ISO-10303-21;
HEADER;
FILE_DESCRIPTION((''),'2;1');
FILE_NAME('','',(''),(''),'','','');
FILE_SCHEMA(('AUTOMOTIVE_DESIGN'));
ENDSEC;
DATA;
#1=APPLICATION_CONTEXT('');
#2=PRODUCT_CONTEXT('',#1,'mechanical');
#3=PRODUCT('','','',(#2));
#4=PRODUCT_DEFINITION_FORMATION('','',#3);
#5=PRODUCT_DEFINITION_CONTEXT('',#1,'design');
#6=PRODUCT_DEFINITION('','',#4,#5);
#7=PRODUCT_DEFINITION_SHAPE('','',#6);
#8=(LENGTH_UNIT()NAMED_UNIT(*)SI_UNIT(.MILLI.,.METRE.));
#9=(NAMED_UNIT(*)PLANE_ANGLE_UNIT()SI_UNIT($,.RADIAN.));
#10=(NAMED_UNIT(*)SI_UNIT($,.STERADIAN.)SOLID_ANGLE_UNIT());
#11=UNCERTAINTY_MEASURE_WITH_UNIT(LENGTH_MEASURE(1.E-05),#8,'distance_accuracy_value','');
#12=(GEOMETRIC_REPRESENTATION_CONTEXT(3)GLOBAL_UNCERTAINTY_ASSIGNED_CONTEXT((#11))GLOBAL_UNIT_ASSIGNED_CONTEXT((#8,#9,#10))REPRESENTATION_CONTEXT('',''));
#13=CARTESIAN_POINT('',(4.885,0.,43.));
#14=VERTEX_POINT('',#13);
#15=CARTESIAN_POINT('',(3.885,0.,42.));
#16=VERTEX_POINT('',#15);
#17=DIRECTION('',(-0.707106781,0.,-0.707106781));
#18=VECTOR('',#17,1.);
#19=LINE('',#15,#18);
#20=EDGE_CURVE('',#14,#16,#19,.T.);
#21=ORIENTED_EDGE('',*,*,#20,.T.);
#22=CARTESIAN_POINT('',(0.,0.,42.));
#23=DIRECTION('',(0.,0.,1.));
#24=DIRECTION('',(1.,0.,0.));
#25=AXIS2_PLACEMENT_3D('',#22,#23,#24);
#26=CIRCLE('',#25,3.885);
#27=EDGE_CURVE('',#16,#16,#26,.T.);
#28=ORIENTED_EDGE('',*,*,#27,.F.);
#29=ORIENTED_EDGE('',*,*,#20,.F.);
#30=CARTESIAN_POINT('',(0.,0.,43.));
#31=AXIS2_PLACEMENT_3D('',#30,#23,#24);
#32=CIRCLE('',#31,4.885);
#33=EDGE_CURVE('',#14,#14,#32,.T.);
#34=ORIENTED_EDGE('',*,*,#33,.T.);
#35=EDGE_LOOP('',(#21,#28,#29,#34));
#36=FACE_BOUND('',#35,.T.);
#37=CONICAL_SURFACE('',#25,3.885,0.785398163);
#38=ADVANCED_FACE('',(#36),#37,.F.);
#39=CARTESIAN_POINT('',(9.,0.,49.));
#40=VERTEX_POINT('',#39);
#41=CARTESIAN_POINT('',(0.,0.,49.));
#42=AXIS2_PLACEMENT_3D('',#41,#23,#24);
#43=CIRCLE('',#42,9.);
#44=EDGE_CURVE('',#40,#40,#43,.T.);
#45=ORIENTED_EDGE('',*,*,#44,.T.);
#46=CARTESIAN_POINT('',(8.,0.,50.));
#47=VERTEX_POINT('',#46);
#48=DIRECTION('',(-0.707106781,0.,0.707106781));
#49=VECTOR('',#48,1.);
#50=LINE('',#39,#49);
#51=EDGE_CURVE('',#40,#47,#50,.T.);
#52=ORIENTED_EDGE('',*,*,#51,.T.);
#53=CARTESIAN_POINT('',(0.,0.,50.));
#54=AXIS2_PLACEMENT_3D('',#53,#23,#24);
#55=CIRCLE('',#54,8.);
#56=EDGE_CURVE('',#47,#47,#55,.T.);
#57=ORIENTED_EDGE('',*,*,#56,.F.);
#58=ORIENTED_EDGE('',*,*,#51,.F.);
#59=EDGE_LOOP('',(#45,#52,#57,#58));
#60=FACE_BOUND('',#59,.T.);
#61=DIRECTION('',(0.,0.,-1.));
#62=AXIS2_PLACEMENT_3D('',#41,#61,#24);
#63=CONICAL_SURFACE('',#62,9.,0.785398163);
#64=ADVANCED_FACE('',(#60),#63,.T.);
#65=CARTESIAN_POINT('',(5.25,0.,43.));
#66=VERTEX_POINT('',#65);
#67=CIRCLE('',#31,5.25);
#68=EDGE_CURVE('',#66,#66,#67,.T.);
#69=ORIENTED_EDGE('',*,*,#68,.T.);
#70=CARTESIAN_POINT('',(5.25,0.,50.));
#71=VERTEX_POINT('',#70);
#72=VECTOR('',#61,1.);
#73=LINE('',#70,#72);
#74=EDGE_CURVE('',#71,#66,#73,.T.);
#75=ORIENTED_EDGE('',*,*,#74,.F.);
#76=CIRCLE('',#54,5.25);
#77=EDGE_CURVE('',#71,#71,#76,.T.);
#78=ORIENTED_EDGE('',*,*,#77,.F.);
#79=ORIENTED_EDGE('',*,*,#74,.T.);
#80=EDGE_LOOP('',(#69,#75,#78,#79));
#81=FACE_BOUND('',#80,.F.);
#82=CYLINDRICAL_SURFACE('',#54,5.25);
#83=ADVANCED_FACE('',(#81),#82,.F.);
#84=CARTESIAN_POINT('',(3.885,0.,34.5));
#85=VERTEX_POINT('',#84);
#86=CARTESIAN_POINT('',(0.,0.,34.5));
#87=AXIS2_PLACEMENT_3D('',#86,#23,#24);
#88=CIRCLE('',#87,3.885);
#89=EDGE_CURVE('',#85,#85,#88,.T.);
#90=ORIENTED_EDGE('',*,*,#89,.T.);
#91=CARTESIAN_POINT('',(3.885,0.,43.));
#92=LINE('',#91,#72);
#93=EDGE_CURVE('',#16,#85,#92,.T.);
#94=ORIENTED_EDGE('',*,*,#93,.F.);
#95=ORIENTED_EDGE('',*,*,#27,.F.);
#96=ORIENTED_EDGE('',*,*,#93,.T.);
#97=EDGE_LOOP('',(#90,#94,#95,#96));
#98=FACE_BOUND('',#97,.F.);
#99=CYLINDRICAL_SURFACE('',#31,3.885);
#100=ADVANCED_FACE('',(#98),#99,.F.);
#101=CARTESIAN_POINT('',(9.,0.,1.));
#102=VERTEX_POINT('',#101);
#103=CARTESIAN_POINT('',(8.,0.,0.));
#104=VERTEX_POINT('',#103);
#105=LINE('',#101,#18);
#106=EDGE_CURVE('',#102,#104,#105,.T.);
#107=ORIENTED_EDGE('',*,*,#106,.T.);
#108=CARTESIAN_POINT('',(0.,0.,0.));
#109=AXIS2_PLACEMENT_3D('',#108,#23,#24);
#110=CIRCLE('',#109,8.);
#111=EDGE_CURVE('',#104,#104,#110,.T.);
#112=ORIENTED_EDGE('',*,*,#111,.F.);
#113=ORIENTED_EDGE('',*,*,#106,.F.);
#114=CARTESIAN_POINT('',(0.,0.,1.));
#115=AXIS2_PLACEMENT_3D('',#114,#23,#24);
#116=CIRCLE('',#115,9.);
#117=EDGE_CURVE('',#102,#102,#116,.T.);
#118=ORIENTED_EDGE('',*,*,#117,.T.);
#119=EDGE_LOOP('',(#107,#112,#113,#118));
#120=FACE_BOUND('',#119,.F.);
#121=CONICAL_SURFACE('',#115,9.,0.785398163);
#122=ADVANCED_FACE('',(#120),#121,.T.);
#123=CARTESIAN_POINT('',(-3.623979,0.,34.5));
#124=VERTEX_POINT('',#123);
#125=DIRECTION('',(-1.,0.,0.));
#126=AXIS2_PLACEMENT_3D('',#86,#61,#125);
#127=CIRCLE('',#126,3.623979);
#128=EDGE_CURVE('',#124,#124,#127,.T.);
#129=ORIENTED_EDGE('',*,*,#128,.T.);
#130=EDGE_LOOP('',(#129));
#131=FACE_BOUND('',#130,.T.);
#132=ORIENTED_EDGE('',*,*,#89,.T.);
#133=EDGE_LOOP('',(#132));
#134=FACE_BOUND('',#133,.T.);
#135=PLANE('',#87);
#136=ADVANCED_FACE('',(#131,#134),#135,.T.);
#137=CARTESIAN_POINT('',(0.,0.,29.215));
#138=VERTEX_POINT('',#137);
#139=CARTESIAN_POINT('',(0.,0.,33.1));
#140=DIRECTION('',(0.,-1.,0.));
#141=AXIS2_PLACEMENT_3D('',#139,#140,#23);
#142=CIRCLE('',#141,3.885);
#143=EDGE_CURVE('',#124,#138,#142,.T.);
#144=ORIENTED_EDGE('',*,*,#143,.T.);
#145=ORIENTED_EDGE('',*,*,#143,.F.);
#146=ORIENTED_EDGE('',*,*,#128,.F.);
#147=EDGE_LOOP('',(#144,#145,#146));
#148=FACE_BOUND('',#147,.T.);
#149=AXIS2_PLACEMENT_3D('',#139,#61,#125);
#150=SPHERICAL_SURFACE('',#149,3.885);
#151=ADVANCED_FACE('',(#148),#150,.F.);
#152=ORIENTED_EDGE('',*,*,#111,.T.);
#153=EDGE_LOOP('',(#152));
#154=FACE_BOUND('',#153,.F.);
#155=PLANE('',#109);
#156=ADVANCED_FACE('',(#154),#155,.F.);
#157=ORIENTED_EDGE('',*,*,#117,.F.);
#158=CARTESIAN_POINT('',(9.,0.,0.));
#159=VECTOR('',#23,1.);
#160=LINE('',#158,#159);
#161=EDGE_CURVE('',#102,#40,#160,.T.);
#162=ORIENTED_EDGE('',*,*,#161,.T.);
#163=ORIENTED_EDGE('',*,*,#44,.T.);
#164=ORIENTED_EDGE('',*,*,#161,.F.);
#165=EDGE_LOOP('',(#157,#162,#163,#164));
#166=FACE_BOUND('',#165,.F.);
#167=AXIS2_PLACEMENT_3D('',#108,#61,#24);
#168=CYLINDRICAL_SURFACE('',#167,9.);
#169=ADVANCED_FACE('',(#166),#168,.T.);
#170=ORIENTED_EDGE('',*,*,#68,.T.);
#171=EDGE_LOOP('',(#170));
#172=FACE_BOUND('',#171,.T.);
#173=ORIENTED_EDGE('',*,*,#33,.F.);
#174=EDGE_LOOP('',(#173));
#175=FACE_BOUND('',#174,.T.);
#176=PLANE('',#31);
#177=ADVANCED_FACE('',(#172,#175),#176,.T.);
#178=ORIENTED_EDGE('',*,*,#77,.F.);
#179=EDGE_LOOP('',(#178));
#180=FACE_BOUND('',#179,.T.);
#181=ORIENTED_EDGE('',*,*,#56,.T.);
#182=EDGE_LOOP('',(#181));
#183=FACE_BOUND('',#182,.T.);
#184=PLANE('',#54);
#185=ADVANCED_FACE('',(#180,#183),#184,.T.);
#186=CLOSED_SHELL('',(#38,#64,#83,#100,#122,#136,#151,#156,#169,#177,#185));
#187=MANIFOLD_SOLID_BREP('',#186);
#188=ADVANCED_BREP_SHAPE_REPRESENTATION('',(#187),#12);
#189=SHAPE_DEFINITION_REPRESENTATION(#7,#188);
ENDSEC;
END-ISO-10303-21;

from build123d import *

# Parameters (mm, degrees)
F2_R     = 9
F3_DEPTH = 50
F4_R     = 5.25
F5_DEPTH = 7
F6_R     = 3.885
F7_DEPTH = 8.5
F10_SIZE = 1


with BuildPart() as f3:
    # F2 (on Top) → F3 (new body)
    with BuildSketch(Plane.XY):
        Circle(F2_R)
    extrude(amount=F3_DEPTH)

    # F4 (on face) → F5 (cut)
    with BuildSketch(Plane.XY.offset(50)):
        Circle(F4_R)
    extrude(amount=-F5_DEPTH, mode=Mode.SUBTRACT)

    # F6 (on face) → F7 (cut)
    with BuildSketch(Plane.XY.offset(43)):
        Circle(F6_R)
    extrude(amount=-F7_DEPTH, mode=Mode.SUBTRACT)

    # F8 (on Front) → F9 (revolve, cut)
    with BuildSketch(Plane.XZ):
        with BuildLine():
            ThreePointArc((0, 36.985), (-3.885, 33.1), (0, 29.215))
            Line((0, 29.215), (0, 36.985))
        make_face()
    revolve(axis=Axis((0, 0, 33.1), (0, 0, 1)), mode=Mode.SUBTRACT)

    # F10
    f10_edges = [f3.edges().sort_by_distance(p)[0] for p in [
        (-3.885, 0, 43),
        (-9, 0, 50),
        (-9, 0, 0),
    ]]
    chamfer(f10_edges, length=F10_SIZE)


solid = f3.part
